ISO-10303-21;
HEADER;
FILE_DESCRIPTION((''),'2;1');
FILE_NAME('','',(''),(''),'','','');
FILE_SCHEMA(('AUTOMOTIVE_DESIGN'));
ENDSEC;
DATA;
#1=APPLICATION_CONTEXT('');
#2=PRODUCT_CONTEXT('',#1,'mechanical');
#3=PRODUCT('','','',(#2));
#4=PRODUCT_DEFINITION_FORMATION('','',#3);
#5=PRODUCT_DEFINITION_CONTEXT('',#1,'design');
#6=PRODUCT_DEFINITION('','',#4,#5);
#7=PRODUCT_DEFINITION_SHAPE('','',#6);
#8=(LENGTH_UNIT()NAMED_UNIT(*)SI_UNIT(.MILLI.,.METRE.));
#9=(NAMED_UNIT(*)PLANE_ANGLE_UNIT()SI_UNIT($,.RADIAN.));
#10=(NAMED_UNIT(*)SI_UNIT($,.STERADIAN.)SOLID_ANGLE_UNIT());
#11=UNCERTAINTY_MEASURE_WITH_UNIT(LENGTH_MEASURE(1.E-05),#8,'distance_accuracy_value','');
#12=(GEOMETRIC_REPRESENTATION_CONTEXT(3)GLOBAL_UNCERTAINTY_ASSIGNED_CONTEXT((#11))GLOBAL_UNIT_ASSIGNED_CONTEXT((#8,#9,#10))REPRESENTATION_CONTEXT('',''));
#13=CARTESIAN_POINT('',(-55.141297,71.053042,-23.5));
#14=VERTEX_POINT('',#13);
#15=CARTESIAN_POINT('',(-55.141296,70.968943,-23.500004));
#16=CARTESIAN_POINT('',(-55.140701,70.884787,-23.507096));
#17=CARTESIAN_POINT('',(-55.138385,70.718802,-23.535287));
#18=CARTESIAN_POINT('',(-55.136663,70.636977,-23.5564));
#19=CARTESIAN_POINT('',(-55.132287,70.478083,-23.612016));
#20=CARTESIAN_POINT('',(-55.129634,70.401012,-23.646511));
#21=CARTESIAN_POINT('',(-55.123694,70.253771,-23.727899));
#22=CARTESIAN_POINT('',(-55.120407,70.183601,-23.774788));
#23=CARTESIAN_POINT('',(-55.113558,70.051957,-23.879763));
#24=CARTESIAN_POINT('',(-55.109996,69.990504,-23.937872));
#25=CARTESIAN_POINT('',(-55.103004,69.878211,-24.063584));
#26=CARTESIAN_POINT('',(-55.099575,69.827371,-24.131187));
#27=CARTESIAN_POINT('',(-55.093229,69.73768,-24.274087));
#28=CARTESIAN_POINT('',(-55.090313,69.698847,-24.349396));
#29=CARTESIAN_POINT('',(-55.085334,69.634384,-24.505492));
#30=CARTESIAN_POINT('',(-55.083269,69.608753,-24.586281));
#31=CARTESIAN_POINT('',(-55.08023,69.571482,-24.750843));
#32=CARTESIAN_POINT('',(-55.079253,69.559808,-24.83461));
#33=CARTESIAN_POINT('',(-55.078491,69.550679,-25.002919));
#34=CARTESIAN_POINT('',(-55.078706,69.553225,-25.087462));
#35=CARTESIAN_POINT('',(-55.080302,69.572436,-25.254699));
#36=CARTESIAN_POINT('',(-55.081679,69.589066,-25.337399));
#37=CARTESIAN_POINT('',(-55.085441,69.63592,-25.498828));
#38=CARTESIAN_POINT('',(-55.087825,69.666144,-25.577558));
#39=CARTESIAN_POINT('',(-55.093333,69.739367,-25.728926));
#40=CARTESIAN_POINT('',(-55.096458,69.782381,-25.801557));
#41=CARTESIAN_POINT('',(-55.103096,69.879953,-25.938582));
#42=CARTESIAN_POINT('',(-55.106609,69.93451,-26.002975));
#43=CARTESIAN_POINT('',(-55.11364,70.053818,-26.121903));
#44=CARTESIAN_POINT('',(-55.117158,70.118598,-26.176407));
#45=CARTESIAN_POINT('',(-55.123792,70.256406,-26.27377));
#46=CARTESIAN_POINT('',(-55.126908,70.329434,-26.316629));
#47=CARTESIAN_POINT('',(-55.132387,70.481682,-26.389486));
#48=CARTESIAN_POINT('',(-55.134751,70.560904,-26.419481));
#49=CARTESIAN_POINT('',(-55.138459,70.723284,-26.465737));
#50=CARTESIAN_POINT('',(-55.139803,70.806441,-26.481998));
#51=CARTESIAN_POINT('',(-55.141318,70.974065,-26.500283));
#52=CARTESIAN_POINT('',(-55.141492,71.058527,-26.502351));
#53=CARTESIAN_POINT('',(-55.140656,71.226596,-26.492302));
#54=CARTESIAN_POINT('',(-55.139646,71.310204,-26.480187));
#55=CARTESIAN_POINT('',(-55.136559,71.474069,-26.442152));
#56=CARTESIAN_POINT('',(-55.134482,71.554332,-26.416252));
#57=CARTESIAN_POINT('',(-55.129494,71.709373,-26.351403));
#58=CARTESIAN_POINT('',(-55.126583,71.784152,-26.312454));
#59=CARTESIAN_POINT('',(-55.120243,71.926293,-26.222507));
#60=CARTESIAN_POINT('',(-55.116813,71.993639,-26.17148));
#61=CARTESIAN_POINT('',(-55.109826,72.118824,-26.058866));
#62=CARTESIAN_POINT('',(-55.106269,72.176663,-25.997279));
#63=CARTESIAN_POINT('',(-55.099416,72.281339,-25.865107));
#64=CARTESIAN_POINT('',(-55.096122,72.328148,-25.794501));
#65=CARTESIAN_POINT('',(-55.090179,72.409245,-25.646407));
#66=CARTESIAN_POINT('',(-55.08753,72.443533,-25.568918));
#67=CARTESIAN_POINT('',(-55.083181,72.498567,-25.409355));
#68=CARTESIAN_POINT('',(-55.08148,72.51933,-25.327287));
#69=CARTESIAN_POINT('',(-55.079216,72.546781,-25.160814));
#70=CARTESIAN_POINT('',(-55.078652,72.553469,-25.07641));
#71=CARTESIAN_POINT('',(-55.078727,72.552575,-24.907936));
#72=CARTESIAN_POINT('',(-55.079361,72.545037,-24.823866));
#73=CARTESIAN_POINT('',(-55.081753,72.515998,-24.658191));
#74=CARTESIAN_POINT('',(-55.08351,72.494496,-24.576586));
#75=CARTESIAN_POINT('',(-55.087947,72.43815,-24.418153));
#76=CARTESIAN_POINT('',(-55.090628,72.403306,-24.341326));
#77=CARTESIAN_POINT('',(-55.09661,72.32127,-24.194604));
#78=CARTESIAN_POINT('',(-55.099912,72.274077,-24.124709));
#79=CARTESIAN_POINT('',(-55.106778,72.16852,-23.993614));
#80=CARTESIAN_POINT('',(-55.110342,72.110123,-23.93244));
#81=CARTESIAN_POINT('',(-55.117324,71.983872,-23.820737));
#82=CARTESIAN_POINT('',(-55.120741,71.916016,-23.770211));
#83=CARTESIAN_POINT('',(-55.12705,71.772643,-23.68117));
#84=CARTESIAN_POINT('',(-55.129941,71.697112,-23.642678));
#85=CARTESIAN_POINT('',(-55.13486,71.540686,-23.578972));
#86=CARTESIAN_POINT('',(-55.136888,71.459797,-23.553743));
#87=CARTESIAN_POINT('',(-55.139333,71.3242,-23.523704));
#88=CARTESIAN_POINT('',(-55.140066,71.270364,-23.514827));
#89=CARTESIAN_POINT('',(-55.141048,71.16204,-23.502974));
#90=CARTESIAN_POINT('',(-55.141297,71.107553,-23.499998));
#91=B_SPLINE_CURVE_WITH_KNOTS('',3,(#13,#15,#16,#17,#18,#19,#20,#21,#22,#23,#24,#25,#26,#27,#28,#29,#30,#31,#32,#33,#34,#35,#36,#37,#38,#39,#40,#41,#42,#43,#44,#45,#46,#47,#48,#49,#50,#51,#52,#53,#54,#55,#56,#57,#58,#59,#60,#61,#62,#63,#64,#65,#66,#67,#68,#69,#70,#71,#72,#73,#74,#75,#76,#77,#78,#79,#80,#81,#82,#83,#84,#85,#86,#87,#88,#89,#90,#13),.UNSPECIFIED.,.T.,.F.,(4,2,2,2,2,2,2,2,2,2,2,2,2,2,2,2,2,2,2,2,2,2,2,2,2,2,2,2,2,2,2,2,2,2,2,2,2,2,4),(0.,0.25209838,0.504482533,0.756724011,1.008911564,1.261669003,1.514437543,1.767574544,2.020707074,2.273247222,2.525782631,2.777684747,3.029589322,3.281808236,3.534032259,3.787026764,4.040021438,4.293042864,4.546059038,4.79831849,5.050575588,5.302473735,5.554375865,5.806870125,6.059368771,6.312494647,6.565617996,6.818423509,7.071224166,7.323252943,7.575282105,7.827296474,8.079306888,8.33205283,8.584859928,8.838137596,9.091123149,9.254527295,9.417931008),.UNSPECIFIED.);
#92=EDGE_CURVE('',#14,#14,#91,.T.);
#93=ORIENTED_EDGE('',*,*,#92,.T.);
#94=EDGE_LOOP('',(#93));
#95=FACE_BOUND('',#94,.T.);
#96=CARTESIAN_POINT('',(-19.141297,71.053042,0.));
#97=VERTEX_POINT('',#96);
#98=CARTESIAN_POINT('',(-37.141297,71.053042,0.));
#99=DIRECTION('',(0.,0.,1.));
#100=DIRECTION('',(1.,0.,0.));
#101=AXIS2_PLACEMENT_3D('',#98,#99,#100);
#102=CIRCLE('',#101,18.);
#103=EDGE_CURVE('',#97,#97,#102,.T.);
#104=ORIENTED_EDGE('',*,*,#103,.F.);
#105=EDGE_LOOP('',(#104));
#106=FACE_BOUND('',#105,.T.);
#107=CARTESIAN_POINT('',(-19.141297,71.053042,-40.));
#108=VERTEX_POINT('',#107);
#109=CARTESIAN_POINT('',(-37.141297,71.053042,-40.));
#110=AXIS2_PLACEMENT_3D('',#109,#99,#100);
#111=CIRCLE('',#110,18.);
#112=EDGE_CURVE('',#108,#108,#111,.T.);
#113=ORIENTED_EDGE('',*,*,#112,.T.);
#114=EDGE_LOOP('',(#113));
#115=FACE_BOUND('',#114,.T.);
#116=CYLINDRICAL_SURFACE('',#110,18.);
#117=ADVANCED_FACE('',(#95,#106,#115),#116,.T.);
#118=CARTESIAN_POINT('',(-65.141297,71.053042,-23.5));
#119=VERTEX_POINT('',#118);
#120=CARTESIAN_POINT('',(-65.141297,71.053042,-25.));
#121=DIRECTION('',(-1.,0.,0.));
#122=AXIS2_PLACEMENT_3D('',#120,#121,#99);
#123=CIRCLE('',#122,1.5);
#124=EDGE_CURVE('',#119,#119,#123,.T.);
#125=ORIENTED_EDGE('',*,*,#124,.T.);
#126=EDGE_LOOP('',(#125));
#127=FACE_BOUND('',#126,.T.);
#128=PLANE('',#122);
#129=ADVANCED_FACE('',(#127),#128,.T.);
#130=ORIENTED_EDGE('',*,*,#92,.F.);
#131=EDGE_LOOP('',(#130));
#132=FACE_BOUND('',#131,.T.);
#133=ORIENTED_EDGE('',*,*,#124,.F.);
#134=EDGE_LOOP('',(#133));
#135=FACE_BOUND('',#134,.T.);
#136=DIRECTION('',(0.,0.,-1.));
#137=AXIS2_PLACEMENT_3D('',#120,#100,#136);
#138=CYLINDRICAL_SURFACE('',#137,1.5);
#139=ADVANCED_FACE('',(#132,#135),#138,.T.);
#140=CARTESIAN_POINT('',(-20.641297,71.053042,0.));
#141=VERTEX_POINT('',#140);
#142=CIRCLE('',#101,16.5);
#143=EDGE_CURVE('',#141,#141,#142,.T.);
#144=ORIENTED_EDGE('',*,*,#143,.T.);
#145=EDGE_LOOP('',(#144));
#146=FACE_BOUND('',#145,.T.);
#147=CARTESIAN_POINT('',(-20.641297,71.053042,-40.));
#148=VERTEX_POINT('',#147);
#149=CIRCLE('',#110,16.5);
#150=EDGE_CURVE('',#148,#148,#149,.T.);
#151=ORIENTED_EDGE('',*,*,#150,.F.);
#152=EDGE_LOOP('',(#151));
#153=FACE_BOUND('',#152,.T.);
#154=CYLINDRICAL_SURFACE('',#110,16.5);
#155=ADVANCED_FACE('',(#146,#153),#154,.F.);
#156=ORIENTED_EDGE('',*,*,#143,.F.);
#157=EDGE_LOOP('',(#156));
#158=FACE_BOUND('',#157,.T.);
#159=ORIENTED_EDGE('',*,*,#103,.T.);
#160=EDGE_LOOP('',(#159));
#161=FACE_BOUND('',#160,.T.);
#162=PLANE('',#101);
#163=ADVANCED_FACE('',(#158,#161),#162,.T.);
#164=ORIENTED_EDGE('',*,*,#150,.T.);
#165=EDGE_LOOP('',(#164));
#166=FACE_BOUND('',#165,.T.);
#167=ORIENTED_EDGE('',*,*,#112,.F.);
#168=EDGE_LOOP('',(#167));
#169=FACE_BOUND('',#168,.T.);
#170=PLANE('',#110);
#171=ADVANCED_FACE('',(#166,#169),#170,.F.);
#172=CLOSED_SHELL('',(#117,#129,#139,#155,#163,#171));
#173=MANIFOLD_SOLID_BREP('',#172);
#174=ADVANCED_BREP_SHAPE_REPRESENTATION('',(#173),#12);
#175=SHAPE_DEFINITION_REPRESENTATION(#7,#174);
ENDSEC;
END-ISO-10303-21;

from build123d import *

# Parameters (mm, degrees)
ESQUISSE1_R        = 18
ESQUISSE1_R_2      = 16.5
BOSS_EXTRU_1_DEPTH = 40
BOSS_EXTRU_2_START = -0.062609
ESQUISSE2_R        = 1.5
BOSS_EXTRU_2_DEPTH = 10.062609


with BuildPart() as part:
    # Esquisse1 → Boss.-Extru.1 (new body)
    with BuildSketch(Plane.XY):
        with Locations((-37.141296753, 71.05304224)):
            Circle(ESQUISSE1_R)
        with Locations((-37.141296753, 71.05304224)):
            Circle(ESQUISSE1_R_2, mode=Mode.SUBTRACT)
    extrude(amount=-BOSS_EXTRU_1_DEPTH)

    # Esquisse2 → Boss.-Extru.2 (add)
    with BuildSketch(Plane.ZY.offset(55.141296753).offset(BOSS_EXTRU_2_START)):
        with Locations((-25, 71.05304224)):
            Circle(ESQUISSE2_R)
    extrude(amount=BOSS_EXTRU_2_DEPTH)


solid = part.part
